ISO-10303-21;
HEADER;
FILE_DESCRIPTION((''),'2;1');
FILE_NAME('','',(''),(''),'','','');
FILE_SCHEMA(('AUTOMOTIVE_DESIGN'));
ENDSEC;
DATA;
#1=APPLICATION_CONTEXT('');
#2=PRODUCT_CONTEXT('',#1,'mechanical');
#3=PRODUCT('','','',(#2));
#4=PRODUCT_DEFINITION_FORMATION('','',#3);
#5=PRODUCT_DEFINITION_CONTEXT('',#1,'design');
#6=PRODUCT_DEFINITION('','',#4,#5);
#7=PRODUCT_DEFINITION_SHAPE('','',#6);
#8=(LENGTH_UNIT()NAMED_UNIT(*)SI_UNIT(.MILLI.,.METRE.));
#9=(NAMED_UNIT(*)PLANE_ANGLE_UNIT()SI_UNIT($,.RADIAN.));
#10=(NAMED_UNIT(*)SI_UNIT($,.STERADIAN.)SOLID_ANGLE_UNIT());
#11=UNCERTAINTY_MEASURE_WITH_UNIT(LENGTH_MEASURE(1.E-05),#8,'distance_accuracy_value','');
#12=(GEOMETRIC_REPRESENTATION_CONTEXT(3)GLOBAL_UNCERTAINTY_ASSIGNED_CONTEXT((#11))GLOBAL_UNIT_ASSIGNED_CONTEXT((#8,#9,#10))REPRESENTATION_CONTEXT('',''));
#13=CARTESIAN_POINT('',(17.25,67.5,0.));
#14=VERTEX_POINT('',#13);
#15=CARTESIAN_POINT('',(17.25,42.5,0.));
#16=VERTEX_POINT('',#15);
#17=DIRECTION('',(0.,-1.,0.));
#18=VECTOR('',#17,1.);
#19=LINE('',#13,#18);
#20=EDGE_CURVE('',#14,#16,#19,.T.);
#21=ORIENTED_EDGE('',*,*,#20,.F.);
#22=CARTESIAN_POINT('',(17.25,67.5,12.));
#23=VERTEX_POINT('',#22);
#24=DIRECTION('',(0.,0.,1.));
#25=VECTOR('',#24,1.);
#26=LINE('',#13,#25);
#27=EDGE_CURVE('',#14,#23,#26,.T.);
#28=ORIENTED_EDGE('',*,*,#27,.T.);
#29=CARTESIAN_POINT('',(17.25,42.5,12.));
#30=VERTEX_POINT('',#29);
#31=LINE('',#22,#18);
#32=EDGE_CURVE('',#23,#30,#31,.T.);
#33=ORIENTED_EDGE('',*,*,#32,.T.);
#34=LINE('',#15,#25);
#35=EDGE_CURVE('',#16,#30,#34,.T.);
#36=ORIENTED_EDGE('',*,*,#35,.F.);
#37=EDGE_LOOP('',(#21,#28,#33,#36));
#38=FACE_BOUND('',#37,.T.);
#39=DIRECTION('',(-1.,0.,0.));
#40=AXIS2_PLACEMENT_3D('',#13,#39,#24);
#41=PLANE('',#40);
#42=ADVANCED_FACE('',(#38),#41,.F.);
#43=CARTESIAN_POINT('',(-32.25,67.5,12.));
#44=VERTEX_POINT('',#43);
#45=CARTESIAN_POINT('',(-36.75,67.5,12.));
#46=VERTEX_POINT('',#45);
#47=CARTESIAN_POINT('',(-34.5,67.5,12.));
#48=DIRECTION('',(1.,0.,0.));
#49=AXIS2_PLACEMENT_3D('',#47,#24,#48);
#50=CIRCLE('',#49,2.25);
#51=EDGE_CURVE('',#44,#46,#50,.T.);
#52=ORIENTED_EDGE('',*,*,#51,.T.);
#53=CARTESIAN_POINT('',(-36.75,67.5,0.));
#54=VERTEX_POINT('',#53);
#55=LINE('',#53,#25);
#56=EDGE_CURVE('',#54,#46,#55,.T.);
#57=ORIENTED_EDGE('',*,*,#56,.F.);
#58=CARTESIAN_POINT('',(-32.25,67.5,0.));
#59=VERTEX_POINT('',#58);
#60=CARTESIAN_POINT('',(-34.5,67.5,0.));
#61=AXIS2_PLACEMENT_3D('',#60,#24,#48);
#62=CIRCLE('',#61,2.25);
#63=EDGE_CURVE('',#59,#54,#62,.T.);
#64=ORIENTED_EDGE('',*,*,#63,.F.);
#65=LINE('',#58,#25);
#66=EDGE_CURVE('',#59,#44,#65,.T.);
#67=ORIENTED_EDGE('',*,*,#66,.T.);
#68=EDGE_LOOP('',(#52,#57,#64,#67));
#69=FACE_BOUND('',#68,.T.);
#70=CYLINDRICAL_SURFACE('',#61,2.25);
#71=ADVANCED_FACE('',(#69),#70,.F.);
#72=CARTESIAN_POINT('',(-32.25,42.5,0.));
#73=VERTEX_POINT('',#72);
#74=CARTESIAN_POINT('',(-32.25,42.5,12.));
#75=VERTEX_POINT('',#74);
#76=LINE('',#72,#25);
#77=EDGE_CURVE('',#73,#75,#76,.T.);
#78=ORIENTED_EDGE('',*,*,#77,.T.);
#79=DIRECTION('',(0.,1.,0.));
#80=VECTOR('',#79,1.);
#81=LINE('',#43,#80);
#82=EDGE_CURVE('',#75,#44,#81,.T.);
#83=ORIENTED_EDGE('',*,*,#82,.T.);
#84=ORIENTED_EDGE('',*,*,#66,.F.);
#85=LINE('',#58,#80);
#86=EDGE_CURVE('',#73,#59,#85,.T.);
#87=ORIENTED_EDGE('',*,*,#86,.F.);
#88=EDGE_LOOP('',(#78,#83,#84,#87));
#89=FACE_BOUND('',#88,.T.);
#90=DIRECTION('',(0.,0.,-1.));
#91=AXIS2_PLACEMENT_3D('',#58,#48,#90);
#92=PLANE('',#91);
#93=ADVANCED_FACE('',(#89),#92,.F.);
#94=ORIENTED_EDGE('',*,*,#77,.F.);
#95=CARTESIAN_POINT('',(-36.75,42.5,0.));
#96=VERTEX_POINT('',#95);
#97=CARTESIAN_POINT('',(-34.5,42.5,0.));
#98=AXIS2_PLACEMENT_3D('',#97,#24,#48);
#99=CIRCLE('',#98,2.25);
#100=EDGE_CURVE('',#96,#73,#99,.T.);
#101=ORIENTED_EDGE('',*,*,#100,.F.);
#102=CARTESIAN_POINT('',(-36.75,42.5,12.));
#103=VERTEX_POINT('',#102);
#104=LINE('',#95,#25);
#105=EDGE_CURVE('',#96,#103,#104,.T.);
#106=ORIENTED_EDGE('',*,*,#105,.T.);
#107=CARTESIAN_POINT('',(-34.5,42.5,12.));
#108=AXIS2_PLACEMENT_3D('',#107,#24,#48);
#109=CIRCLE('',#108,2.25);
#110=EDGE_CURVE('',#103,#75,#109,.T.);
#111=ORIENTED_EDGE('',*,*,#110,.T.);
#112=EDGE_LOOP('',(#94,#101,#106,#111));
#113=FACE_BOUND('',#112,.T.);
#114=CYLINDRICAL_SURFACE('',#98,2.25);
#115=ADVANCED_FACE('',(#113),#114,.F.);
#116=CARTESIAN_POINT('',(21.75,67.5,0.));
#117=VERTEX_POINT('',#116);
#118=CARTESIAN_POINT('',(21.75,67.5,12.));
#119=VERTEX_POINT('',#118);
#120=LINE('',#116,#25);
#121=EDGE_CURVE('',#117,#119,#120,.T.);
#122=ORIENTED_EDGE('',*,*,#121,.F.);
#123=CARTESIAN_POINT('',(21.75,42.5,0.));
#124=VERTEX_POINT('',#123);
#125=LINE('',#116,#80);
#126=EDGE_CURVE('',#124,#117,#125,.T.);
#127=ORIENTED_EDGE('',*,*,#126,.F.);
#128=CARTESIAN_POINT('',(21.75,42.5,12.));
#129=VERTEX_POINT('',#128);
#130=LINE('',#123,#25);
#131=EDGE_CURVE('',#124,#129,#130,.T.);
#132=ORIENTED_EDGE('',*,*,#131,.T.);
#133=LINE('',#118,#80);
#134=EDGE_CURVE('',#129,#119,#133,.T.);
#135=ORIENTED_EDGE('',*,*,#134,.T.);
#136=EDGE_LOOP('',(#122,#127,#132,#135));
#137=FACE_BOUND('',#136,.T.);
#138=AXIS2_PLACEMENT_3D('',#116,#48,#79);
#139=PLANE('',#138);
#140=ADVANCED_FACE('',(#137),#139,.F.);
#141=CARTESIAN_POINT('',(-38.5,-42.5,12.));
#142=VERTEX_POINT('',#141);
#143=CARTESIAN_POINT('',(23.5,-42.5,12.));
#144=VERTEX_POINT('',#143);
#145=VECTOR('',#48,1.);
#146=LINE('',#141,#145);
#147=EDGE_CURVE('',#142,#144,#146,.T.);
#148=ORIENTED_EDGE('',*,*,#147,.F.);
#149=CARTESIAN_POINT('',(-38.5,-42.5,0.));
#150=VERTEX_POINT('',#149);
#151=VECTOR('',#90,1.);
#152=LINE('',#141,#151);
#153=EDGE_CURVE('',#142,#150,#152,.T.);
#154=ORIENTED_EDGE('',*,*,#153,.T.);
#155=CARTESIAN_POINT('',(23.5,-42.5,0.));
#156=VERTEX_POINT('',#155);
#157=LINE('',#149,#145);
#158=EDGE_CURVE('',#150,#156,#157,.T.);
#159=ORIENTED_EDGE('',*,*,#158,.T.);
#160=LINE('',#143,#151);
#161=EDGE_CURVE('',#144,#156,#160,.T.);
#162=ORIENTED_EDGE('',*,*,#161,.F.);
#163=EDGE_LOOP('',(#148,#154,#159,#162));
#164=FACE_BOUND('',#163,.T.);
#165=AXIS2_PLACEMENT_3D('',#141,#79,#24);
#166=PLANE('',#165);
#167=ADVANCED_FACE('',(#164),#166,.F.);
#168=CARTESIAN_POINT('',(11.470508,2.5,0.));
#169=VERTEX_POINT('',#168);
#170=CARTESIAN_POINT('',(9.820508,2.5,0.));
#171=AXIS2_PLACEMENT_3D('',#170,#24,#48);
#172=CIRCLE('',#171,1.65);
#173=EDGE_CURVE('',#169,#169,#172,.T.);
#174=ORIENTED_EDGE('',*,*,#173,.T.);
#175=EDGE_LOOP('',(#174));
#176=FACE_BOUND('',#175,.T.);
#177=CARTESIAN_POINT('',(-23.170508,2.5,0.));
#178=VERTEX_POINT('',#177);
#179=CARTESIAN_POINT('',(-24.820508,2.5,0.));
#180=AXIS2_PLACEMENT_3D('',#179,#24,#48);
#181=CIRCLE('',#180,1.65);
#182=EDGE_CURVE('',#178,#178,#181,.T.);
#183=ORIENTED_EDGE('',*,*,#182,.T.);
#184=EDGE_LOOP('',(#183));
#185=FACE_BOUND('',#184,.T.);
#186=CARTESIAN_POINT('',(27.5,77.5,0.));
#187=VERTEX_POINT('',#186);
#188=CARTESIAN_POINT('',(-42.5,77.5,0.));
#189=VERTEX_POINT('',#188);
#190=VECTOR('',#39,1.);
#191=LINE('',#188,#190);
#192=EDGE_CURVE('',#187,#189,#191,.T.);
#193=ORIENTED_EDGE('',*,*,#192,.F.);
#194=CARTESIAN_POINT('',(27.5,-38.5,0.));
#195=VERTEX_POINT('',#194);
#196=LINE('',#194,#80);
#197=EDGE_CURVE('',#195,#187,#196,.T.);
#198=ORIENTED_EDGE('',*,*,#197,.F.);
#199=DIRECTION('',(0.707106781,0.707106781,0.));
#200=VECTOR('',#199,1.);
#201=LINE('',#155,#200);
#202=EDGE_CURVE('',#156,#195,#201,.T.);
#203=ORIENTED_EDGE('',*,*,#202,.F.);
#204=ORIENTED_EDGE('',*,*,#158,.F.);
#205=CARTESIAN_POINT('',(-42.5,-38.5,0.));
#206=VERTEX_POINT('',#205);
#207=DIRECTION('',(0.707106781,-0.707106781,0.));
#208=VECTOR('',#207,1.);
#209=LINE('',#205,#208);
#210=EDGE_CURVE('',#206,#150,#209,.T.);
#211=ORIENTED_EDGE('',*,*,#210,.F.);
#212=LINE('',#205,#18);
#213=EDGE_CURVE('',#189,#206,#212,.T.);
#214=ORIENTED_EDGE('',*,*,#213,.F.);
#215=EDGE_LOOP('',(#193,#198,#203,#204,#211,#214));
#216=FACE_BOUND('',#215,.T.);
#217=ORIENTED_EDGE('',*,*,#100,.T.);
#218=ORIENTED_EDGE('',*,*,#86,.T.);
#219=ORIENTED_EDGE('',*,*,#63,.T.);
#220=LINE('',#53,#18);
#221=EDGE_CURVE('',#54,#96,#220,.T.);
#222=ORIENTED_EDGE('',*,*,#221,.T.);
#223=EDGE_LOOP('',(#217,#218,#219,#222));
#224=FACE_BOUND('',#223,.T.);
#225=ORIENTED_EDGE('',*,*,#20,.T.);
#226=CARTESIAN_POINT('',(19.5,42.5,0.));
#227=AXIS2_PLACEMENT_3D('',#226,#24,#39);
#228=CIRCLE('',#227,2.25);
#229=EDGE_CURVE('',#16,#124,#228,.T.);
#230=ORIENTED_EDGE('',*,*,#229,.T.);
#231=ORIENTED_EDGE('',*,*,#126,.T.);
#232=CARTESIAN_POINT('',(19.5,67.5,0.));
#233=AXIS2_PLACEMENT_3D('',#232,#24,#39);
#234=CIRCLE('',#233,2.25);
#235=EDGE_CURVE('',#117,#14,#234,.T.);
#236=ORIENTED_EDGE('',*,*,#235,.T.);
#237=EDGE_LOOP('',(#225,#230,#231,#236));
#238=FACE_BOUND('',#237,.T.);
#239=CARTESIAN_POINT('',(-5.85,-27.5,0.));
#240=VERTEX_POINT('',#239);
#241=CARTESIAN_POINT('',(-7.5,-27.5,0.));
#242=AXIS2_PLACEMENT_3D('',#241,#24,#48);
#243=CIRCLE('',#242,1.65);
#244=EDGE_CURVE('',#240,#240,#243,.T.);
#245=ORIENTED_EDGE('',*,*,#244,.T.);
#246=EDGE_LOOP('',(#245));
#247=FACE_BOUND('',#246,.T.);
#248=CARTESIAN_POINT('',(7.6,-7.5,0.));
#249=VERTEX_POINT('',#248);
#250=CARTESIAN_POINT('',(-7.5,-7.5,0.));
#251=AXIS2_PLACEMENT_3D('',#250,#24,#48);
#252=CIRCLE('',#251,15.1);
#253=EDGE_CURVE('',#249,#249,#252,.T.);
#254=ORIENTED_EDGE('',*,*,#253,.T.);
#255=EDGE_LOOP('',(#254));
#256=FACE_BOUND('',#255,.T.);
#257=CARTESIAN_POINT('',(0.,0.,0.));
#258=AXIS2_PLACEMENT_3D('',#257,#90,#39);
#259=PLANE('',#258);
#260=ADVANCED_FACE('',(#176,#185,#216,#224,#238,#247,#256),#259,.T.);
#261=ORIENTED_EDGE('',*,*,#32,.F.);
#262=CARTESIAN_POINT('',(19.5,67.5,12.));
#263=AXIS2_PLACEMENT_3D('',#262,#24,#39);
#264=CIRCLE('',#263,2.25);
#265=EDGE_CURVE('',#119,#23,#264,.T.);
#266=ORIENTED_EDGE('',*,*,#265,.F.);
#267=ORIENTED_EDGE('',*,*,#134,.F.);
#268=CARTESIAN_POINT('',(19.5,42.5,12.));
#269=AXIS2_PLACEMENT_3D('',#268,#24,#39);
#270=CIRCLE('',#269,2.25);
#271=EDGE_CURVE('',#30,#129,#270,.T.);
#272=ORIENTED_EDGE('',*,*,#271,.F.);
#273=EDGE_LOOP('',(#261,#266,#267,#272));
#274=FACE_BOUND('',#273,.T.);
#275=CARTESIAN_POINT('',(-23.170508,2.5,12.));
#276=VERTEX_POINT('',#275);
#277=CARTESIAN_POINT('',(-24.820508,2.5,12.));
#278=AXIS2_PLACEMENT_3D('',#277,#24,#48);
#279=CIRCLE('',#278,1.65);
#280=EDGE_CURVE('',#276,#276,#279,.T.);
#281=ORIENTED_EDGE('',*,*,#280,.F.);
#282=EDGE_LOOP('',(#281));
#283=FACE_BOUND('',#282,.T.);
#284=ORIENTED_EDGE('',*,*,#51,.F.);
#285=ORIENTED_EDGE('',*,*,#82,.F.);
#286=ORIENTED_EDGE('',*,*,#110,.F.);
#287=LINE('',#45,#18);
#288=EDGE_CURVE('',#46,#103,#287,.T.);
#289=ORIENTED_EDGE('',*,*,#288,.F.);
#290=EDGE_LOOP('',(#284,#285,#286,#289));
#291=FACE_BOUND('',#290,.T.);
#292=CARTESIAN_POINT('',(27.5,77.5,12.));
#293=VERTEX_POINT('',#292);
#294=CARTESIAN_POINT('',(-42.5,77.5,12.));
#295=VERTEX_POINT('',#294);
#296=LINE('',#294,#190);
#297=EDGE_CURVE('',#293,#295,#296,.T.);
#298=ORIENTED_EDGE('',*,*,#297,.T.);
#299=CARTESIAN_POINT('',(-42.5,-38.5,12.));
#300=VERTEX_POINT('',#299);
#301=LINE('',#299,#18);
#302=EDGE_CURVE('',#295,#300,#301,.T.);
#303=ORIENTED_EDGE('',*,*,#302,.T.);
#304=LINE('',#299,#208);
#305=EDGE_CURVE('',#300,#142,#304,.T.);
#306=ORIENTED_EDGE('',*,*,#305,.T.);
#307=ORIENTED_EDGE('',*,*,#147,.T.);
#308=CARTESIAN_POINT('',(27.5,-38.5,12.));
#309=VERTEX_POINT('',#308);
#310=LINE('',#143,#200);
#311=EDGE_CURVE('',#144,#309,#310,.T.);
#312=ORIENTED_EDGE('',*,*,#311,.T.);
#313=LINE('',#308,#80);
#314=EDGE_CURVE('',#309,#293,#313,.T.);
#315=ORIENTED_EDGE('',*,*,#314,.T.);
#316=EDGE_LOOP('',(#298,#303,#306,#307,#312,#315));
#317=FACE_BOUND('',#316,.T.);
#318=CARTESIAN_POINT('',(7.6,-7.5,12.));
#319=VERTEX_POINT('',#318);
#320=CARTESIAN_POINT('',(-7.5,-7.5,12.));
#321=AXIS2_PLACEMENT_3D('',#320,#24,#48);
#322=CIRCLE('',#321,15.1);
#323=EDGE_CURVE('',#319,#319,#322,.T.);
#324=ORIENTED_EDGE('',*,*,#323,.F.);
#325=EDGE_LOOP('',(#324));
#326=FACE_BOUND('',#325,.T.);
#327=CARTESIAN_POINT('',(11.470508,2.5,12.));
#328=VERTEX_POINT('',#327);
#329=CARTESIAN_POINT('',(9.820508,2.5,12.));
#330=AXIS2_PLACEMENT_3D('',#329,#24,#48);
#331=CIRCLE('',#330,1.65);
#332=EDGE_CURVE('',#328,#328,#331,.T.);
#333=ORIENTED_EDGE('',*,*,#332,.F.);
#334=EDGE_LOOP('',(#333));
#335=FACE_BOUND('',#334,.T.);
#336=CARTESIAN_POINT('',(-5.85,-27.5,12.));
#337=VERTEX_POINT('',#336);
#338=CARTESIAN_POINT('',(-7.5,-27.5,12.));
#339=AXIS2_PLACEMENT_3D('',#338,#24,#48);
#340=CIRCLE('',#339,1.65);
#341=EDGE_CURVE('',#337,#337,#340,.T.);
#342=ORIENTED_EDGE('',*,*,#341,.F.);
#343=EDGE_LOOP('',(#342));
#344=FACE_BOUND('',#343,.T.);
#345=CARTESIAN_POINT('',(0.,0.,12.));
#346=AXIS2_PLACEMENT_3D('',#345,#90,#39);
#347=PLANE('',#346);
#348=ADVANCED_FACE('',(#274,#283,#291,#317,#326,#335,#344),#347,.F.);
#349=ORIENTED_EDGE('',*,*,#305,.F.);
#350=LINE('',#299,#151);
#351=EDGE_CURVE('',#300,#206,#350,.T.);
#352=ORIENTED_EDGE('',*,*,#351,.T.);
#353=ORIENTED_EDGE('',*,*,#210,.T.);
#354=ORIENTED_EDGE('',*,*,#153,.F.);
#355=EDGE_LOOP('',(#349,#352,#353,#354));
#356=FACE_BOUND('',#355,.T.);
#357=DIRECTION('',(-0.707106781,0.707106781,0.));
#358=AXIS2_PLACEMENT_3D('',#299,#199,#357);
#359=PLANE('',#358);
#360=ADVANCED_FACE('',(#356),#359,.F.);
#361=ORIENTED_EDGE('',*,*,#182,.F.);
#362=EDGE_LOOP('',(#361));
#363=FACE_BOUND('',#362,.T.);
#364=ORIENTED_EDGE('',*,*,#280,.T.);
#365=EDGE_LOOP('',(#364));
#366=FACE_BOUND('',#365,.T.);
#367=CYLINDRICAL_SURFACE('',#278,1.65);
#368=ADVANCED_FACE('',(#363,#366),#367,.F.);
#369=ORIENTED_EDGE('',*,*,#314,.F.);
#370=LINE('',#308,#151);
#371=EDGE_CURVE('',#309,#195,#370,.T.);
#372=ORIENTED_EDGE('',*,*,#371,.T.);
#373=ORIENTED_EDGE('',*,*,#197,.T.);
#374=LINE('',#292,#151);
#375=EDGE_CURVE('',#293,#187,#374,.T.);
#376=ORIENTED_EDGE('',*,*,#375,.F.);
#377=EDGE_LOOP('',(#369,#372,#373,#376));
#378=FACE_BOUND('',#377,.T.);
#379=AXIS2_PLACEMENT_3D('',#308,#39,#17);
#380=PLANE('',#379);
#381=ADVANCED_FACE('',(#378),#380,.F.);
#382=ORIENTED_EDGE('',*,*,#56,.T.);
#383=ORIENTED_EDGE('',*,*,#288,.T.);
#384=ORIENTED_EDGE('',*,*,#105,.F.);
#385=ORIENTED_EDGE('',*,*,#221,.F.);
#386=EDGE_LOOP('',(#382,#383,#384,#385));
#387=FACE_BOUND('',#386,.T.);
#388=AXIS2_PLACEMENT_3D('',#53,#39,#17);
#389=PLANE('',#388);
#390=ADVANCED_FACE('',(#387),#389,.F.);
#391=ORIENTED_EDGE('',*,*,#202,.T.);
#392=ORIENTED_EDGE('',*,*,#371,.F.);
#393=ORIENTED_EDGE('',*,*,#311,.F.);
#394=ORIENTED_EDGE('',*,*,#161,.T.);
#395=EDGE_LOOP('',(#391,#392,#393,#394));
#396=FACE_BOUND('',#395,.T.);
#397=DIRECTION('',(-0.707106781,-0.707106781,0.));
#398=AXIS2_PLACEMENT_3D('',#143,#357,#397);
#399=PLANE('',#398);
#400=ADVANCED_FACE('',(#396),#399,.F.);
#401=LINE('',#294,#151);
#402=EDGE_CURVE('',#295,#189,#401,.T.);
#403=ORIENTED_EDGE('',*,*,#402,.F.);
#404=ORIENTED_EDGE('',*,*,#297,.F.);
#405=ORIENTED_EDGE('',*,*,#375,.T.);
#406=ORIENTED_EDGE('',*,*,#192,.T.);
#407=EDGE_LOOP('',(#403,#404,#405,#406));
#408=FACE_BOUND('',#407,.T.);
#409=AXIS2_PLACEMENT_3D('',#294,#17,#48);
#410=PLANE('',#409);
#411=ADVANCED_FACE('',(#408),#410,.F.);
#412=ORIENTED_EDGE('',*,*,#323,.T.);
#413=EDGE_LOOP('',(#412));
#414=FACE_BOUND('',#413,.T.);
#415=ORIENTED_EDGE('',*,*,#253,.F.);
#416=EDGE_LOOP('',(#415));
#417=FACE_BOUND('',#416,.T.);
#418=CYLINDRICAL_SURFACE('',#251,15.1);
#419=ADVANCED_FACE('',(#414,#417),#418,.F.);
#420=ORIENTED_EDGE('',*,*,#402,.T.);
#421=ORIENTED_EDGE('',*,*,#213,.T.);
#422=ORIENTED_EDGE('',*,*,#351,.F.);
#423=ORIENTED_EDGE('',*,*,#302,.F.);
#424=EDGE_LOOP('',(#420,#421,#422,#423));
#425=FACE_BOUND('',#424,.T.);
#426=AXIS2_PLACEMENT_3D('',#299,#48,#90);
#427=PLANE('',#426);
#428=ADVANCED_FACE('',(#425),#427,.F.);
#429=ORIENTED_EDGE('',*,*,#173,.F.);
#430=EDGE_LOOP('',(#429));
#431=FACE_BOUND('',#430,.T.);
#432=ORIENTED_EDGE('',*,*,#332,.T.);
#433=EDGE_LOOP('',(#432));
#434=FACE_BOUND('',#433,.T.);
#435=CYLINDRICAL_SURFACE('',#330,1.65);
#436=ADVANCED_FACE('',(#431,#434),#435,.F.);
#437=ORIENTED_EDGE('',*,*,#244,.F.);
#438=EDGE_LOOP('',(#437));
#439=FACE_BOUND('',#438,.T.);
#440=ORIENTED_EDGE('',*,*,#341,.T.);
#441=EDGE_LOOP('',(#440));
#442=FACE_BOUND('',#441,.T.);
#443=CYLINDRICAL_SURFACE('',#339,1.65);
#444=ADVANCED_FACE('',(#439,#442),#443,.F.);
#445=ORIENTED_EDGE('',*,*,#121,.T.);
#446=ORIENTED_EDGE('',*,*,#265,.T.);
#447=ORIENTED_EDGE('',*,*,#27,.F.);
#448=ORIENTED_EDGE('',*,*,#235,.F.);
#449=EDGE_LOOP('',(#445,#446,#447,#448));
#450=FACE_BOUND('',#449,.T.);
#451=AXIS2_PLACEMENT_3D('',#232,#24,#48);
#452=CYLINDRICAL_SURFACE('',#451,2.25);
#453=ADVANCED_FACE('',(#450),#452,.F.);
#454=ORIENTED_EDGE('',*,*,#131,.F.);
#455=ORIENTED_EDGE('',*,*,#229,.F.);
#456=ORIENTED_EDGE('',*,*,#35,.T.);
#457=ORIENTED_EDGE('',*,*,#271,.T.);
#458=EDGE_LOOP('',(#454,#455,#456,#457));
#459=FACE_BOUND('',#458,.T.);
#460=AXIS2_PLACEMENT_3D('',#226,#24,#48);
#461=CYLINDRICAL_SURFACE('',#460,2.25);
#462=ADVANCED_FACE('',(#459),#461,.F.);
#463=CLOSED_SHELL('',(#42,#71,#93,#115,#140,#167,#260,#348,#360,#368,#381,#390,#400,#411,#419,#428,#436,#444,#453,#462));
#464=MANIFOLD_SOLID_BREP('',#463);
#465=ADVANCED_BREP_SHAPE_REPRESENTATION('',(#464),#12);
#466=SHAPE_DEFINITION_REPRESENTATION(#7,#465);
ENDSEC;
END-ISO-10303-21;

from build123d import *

# Parameters (mm, degrees)
EXTRUDE_1_DEPTH     = 12
SKETCH_2_R          = 15.1
CUT_EXTRUDE_1_DEPTH = 90.199215243
M4X0_7_1_D          = 3.3
CUT_EXTRUDE_2_DEPTH = 90.199215243


with BuildPart() as part:
    # 草图1 → 凸台-拉伸1 (new body)
    with BuildSketch(Plane.XY):
        Polygon((-38.5, -42.5), (23.5, -42.5), (27.5, -38.5), (27.5, 77.5), (-42.5, 77.5), (-42.5, -38.5), align=None)
    extrude(amount=EXTRUDE_1_DEPTH)

    # 草图2 → 切除-拉伸1 (cut, through all)
    with BuildSketch(Plane.XY.offset(12)):
        with Locations((-7.5, -7.5)):
            Circle(SKETCH_2_R)
    extrude(amount=-CUT_EXTRUDE_1_DEPTH, mode=Mode.SUBTRACT)

    # M4x0.7 螺纹孔1 (through all)
    with Locations(Plane.XY.offset(12)):
        with Locations((-7.5, -27.5), (-24.820508076, 2.5), (9.820508076, 2.5)):
            Hole(M4X0_7_1_D / 2)

    # 草图7 → 切除-拉伸2 (cut, through all)
    with BuildSketch(Plane.XY.offset(12)):
        with BuildLine():
            Line((-32.25, 67.5), (-32.25, 42.5))
            ThreePointArc((-32.25, 42.5), (-34.5, 40.25), (-36.75, 42.5))
            Line((-36.75, 42.5), (-36.75, 67.5))
            ThreePointArc((-36.75, 67.5), (-34.5, 69.75), (-32.25, 67.5))
        make_face()
        with BuildLine():
            Line((17.25, 67.5), (17.25, 42.5))
            ThreePointArc((17.25, 42.5), (19.5, 40.25), (21.75, 42.5))
            Line((21.75, 42.5), (21.75, 67.5))
            ThreePointArc((21.75, 67.5), (19.5, 69.75), (17.25, 67.5))
        make_face()
    extrude(amount=-CUT_EXTRUDE_2_DEPTH, mode=Mode.SUBTRACT)


solid = part.part
